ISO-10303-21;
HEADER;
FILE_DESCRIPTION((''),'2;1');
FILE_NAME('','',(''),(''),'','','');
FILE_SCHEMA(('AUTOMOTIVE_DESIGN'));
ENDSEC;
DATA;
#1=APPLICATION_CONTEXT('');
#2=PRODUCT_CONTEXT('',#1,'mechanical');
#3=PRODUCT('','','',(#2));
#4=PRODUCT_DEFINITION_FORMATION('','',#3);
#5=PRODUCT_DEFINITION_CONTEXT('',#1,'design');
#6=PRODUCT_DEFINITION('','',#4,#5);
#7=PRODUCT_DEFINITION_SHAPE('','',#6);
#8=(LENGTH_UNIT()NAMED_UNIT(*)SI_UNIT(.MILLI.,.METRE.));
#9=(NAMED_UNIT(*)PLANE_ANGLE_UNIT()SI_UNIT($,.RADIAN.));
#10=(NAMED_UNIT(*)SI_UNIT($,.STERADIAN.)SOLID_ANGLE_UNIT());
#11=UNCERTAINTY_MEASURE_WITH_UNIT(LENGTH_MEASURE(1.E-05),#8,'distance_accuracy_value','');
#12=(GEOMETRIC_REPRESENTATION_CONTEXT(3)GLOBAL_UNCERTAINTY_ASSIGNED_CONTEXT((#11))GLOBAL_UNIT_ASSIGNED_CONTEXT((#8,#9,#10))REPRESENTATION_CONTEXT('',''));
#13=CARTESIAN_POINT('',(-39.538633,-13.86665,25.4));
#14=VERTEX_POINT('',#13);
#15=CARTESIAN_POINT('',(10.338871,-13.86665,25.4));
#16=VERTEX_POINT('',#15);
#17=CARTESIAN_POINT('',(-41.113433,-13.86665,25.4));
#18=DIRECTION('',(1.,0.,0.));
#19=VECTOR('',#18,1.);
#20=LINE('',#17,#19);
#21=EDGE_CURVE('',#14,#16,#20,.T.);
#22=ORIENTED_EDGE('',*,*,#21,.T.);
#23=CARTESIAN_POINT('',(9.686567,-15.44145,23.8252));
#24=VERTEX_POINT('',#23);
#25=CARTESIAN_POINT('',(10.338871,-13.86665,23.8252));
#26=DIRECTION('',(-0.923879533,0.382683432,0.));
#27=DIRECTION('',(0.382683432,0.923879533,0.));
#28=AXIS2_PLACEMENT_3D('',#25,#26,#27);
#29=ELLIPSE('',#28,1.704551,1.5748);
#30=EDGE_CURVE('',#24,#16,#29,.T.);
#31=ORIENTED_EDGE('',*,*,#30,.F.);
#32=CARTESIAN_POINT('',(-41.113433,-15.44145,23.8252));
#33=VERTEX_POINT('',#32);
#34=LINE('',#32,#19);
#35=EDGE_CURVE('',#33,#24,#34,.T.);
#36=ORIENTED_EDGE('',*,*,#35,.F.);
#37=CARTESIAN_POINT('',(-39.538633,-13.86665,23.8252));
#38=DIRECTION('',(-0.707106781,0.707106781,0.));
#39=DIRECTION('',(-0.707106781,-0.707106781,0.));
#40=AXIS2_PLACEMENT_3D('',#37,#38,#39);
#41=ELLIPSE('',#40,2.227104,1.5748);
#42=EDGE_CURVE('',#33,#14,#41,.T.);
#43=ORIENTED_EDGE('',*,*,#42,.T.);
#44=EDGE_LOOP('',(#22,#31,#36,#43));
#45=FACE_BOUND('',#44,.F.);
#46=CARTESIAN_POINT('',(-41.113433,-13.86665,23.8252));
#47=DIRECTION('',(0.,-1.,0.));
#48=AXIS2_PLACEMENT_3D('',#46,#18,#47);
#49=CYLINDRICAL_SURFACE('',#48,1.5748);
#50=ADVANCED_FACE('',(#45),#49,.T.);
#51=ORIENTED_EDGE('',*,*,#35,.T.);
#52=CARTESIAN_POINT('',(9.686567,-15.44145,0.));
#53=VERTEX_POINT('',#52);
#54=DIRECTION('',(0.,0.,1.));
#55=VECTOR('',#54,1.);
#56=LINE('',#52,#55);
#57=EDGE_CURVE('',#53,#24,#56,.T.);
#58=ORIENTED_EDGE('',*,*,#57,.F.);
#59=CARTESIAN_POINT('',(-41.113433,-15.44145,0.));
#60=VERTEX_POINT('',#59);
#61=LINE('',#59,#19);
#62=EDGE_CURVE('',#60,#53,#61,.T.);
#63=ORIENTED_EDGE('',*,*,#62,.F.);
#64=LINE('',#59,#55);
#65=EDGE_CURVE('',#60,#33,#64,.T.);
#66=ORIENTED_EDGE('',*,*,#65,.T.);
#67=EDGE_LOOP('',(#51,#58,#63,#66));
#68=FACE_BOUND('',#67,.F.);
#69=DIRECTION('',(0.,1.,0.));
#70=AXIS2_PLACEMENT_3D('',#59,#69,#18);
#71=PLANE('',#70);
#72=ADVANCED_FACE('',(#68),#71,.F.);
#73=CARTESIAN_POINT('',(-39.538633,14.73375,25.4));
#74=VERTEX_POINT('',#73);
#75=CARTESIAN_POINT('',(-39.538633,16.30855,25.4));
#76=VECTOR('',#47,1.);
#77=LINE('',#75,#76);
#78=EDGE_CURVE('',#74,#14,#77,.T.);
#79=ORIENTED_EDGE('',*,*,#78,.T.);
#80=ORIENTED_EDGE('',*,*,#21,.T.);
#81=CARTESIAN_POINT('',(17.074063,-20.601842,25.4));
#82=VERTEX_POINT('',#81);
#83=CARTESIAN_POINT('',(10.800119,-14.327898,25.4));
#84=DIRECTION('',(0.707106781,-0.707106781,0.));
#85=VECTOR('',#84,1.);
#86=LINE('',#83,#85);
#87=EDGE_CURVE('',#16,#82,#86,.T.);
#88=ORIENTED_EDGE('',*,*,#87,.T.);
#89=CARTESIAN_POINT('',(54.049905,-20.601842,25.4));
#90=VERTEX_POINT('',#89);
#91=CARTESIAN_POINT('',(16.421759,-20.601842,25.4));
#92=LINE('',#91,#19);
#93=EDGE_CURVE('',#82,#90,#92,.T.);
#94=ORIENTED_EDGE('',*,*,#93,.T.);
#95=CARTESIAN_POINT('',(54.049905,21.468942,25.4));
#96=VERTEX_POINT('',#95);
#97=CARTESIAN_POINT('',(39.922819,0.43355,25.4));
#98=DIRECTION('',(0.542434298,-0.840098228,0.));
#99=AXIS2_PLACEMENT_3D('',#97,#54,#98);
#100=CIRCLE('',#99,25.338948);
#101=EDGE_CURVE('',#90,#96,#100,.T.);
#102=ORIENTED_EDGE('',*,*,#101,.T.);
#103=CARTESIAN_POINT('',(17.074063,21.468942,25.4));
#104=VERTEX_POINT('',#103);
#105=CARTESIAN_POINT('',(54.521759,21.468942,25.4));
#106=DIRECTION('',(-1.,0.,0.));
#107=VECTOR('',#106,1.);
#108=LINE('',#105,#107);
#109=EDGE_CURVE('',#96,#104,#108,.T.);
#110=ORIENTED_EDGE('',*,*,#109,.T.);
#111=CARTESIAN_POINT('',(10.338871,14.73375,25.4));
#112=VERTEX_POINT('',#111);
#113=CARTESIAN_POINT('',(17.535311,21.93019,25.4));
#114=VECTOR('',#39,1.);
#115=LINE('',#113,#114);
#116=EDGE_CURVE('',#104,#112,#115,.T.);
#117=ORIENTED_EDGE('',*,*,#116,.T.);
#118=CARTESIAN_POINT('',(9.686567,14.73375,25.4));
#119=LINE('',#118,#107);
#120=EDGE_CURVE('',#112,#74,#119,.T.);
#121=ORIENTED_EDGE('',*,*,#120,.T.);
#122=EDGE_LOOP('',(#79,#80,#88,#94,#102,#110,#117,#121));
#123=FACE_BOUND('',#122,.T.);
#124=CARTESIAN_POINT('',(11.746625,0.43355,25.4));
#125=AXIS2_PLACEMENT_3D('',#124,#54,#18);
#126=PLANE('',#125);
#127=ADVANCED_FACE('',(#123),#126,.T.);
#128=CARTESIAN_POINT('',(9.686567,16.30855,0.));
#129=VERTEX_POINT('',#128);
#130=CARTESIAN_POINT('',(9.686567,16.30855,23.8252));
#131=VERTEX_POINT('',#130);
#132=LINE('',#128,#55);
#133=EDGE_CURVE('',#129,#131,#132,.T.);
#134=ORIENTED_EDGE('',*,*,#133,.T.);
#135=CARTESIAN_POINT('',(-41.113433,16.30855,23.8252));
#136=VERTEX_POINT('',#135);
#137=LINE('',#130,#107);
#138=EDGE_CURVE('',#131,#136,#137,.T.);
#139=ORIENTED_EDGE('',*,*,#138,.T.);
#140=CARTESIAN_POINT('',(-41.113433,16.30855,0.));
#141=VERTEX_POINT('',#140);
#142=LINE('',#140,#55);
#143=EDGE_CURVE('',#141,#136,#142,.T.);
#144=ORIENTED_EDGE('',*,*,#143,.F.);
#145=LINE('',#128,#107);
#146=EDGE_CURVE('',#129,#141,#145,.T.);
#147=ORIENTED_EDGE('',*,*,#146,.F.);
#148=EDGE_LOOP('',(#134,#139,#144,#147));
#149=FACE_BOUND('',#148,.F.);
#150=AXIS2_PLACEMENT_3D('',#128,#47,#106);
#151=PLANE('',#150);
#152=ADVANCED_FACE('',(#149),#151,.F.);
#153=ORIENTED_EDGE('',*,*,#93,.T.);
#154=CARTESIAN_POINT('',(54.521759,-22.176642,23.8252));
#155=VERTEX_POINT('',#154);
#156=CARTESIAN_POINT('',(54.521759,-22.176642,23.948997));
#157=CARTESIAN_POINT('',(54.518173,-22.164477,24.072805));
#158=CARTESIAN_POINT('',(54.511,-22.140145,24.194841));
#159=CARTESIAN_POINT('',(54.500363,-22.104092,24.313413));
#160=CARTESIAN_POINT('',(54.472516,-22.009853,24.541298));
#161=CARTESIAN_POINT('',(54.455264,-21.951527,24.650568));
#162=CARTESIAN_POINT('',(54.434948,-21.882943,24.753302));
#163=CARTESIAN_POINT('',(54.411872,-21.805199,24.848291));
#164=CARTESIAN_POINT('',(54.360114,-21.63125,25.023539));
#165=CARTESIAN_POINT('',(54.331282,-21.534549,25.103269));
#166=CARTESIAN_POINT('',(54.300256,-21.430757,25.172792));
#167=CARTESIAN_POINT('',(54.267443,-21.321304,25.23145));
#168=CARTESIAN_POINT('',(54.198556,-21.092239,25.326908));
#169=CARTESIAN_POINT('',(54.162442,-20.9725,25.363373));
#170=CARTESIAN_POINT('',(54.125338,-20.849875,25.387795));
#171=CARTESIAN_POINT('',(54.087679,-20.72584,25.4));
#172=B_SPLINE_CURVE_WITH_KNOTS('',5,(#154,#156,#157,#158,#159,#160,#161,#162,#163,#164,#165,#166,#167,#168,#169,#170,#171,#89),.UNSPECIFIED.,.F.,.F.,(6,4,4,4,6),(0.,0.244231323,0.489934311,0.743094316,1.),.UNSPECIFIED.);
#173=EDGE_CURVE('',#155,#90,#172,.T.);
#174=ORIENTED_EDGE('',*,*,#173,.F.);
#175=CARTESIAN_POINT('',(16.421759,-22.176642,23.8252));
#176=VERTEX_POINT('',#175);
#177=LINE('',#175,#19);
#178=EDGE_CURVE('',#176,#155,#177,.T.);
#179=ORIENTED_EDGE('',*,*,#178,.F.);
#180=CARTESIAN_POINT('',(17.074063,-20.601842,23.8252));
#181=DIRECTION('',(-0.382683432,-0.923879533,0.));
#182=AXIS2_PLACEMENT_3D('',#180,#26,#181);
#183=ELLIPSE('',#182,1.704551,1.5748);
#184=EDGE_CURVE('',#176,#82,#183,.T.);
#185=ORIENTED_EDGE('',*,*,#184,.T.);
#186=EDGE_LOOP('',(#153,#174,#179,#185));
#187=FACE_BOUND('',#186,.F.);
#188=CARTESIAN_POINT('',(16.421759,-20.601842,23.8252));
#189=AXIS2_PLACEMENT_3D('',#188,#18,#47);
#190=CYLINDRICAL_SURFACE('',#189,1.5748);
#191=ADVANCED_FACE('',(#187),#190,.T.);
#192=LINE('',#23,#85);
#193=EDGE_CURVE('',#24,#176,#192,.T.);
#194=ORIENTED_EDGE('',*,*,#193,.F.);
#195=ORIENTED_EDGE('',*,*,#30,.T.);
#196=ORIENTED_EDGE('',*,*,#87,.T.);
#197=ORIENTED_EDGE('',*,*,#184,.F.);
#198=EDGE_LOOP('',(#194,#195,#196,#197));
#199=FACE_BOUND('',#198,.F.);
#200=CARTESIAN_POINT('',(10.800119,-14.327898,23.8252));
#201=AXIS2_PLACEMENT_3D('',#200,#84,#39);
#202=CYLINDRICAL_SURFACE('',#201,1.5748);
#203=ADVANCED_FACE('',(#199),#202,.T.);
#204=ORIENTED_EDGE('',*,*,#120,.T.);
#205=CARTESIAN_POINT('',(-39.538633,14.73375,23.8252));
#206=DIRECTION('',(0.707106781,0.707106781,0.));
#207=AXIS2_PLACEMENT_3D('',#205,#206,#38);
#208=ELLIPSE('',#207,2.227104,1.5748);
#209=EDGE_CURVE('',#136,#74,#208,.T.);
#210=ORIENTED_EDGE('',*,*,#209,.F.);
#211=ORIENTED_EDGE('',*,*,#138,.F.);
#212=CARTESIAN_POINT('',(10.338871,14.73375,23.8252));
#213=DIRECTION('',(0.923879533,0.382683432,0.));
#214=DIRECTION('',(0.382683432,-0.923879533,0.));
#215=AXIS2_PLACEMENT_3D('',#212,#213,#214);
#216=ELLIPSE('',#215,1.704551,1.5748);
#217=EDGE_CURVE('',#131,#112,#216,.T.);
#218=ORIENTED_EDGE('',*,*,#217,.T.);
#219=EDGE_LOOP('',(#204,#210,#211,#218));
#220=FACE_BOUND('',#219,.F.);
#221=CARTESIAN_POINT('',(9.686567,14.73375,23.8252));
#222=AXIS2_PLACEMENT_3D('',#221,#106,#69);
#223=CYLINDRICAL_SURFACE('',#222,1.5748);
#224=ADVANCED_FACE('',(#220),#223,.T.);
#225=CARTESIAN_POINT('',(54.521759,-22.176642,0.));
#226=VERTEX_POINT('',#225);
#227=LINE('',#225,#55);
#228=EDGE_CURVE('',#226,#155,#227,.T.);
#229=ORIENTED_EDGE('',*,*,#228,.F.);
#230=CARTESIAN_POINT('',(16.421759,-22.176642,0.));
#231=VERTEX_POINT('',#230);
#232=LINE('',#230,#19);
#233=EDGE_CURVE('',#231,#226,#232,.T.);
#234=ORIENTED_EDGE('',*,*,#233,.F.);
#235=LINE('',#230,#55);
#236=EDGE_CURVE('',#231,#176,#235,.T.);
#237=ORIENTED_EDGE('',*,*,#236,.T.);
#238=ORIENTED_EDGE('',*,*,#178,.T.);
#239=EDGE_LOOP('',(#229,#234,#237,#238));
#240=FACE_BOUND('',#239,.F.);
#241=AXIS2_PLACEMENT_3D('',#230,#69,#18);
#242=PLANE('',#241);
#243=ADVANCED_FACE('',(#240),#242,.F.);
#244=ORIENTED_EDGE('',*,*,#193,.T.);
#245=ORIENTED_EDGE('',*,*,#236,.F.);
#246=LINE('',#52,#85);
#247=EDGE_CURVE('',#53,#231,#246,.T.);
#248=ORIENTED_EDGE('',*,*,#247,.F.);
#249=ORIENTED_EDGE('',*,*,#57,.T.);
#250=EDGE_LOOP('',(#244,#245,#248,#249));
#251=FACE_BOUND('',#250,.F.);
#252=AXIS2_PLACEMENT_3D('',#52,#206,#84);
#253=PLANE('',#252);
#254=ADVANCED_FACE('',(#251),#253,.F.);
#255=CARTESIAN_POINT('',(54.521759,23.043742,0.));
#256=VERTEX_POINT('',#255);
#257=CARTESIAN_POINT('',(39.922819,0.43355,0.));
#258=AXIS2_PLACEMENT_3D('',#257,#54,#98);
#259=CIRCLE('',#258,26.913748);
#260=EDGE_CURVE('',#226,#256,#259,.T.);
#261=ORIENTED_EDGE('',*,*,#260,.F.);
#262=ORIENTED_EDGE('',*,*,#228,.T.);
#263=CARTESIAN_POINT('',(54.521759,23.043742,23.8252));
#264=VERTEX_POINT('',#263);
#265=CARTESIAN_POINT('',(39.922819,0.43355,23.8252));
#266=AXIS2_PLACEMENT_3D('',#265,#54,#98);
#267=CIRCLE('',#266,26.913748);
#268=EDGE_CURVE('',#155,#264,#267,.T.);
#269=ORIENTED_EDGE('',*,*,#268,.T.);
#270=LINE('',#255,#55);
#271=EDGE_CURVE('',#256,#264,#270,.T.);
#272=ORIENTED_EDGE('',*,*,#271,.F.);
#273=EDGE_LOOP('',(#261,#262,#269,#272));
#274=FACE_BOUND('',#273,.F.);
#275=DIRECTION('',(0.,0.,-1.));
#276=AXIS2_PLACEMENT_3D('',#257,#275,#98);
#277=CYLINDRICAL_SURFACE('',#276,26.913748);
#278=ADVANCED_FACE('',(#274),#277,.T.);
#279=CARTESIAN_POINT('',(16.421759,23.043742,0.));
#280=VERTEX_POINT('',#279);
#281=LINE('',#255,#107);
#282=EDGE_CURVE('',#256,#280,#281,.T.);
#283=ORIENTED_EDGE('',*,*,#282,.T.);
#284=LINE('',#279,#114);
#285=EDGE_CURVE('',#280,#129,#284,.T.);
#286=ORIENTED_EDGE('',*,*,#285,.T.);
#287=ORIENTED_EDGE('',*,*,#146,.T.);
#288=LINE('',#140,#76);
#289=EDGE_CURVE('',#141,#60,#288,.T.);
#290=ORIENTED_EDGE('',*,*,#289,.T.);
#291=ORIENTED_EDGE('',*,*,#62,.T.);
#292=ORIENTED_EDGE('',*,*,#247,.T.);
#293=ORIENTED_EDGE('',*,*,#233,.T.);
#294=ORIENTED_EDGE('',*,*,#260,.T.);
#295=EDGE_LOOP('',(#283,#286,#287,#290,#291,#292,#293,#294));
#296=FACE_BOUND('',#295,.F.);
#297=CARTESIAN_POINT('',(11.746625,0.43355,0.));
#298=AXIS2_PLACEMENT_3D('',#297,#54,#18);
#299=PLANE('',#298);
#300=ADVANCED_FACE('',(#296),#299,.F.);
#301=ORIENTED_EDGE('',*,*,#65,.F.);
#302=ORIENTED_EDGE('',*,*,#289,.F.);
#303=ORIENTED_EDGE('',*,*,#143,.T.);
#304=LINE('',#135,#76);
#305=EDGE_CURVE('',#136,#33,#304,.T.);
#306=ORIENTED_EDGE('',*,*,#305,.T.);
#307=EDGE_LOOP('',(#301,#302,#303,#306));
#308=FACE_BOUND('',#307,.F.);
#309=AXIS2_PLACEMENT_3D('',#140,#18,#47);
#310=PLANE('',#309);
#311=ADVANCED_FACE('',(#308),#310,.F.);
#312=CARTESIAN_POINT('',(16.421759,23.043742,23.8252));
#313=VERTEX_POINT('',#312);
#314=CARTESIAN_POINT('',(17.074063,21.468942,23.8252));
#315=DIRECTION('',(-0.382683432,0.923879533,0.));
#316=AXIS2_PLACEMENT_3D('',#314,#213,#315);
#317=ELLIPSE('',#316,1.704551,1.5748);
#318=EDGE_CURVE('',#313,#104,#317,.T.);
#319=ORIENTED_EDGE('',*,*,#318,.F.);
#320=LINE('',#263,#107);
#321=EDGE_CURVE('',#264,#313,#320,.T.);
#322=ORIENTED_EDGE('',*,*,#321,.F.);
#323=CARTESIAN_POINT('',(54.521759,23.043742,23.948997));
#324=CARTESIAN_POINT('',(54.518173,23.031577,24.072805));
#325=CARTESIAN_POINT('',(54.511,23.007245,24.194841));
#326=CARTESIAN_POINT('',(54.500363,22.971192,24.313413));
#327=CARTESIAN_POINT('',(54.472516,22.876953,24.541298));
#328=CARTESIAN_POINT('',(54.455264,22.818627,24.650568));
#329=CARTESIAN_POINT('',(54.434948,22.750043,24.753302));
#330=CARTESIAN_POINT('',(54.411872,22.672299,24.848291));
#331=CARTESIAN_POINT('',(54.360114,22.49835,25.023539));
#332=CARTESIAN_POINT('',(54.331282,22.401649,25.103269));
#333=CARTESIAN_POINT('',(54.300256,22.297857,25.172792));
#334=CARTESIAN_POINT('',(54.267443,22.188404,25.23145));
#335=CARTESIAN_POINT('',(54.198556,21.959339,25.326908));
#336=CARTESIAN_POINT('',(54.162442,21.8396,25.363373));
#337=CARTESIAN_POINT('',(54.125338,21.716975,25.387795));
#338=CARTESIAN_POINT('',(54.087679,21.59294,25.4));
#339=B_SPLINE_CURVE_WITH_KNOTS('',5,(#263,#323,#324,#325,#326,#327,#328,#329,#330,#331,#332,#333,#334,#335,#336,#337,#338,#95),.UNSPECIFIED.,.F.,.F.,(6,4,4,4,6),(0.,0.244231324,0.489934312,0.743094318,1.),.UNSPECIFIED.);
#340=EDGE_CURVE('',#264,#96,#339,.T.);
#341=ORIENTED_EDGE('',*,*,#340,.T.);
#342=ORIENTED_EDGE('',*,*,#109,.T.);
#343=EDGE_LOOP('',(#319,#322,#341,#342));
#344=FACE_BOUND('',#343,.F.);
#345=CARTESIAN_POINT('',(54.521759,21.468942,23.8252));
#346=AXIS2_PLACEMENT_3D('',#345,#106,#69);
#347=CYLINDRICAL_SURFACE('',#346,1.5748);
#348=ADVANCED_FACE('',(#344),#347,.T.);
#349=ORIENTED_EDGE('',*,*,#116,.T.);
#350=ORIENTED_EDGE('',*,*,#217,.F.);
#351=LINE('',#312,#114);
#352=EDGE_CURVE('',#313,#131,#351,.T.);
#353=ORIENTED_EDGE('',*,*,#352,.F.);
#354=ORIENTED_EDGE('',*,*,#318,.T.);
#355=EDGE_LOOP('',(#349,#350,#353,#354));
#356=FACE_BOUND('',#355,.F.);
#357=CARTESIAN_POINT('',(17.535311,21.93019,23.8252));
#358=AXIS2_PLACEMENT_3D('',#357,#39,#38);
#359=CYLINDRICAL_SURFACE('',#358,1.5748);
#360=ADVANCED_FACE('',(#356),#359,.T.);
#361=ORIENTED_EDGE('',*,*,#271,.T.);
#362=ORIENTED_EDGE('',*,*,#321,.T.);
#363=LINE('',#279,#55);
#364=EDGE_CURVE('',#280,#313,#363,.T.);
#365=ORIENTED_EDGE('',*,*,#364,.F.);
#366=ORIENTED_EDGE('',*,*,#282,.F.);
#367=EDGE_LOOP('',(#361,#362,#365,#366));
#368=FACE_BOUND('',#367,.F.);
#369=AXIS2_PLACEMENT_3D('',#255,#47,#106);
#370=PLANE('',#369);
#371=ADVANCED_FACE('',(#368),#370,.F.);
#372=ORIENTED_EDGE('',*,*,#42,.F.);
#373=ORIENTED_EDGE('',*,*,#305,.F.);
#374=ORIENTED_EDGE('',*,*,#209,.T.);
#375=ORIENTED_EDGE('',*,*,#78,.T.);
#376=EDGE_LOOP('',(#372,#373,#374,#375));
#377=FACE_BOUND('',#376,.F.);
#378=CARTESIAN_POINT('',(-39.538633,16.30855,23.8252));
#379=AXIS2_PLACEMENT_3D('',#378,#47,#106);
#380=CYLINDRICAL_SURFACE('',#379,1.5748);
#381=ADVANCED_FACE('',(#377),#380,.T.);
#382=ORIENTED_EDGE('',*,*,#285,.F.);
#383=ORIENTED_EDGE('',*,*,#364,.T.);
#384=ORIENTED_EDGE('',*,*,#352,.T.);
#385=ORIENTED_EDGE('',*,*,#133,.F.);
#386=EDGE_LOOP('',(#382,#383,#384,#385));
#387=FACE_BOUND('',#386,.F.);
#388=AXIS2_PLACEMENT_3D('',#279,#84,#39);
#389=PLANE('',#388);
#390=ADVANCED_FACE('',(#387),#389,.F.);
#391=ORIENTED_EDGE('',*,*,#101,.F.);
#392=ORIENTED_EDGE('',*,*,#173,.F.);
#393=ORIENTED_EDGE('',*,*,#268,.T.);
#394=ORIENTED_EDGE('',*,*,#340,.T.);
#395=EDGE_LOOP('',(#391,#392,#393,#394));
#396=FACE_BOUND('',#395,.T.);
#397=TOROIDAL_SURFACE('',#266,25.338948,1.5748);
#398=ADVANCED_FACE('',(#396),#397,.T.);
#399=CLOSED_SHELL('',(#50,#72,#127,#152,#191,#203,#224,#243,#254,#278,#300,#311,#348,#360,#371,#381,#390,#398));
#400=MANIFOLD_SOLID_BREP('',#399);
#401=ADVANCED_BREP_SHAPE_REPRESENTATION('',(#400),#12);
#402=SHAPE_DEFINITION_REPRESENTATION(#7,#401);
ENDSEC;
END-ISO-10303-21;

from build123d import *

# Parameters (mm, degrees)
F1_DEPTH = 25.4
F2_R     = 1.5748


with BuildPart() as f1:
    # F0 (on Top) → F1 (new body)
    with BuildSketch(Plane.XY):
        with BuildLine():
            Line((-41.113433, 16.30855), (-41.113433, -15.44145))
            Line((-41.113433, -15.44145), (9.686567, -15.44145))
            Line((9.686567, -15.44145), (16.421759, -22.176642))
            Line((16.421759, -22.176642), (54.521759, -22.176642))
            ThreePointArc((54.521759, -22.176642), (66.836567, 0.43355), (54.521759, 23.043742))
            Line((54.521759, 23.043742), (16.421759, 23.043742))
            Line((16.421759, 23.043742), (9.686567, 16.30855))
            Line((9.686567, 16.30855), (-41.113433, 16.30855))
        make_face()
    extrude(amount=F1_DEPTH)

    # F2
    f2_edges = [f1.edges().sort_by_distance(p)[0] for p in [
        (35.471759, 23.043742, 25.4),
        (13.054163, 19.676146, 25.4),
        (-15.713433, 16.30855, 25.4),
        (-41.113433, 0.43355, 25.4),
        (-15.713433, -15.44145, 25.4),
        (13.054163, -18.809046, 25.4),
        (35.471759, -22.176642, 25.4),
        (66.836567, 0.43355, 25.4),
    ]]
    fillet(f2_edges, radius=F2_R)


solid = f1.part
